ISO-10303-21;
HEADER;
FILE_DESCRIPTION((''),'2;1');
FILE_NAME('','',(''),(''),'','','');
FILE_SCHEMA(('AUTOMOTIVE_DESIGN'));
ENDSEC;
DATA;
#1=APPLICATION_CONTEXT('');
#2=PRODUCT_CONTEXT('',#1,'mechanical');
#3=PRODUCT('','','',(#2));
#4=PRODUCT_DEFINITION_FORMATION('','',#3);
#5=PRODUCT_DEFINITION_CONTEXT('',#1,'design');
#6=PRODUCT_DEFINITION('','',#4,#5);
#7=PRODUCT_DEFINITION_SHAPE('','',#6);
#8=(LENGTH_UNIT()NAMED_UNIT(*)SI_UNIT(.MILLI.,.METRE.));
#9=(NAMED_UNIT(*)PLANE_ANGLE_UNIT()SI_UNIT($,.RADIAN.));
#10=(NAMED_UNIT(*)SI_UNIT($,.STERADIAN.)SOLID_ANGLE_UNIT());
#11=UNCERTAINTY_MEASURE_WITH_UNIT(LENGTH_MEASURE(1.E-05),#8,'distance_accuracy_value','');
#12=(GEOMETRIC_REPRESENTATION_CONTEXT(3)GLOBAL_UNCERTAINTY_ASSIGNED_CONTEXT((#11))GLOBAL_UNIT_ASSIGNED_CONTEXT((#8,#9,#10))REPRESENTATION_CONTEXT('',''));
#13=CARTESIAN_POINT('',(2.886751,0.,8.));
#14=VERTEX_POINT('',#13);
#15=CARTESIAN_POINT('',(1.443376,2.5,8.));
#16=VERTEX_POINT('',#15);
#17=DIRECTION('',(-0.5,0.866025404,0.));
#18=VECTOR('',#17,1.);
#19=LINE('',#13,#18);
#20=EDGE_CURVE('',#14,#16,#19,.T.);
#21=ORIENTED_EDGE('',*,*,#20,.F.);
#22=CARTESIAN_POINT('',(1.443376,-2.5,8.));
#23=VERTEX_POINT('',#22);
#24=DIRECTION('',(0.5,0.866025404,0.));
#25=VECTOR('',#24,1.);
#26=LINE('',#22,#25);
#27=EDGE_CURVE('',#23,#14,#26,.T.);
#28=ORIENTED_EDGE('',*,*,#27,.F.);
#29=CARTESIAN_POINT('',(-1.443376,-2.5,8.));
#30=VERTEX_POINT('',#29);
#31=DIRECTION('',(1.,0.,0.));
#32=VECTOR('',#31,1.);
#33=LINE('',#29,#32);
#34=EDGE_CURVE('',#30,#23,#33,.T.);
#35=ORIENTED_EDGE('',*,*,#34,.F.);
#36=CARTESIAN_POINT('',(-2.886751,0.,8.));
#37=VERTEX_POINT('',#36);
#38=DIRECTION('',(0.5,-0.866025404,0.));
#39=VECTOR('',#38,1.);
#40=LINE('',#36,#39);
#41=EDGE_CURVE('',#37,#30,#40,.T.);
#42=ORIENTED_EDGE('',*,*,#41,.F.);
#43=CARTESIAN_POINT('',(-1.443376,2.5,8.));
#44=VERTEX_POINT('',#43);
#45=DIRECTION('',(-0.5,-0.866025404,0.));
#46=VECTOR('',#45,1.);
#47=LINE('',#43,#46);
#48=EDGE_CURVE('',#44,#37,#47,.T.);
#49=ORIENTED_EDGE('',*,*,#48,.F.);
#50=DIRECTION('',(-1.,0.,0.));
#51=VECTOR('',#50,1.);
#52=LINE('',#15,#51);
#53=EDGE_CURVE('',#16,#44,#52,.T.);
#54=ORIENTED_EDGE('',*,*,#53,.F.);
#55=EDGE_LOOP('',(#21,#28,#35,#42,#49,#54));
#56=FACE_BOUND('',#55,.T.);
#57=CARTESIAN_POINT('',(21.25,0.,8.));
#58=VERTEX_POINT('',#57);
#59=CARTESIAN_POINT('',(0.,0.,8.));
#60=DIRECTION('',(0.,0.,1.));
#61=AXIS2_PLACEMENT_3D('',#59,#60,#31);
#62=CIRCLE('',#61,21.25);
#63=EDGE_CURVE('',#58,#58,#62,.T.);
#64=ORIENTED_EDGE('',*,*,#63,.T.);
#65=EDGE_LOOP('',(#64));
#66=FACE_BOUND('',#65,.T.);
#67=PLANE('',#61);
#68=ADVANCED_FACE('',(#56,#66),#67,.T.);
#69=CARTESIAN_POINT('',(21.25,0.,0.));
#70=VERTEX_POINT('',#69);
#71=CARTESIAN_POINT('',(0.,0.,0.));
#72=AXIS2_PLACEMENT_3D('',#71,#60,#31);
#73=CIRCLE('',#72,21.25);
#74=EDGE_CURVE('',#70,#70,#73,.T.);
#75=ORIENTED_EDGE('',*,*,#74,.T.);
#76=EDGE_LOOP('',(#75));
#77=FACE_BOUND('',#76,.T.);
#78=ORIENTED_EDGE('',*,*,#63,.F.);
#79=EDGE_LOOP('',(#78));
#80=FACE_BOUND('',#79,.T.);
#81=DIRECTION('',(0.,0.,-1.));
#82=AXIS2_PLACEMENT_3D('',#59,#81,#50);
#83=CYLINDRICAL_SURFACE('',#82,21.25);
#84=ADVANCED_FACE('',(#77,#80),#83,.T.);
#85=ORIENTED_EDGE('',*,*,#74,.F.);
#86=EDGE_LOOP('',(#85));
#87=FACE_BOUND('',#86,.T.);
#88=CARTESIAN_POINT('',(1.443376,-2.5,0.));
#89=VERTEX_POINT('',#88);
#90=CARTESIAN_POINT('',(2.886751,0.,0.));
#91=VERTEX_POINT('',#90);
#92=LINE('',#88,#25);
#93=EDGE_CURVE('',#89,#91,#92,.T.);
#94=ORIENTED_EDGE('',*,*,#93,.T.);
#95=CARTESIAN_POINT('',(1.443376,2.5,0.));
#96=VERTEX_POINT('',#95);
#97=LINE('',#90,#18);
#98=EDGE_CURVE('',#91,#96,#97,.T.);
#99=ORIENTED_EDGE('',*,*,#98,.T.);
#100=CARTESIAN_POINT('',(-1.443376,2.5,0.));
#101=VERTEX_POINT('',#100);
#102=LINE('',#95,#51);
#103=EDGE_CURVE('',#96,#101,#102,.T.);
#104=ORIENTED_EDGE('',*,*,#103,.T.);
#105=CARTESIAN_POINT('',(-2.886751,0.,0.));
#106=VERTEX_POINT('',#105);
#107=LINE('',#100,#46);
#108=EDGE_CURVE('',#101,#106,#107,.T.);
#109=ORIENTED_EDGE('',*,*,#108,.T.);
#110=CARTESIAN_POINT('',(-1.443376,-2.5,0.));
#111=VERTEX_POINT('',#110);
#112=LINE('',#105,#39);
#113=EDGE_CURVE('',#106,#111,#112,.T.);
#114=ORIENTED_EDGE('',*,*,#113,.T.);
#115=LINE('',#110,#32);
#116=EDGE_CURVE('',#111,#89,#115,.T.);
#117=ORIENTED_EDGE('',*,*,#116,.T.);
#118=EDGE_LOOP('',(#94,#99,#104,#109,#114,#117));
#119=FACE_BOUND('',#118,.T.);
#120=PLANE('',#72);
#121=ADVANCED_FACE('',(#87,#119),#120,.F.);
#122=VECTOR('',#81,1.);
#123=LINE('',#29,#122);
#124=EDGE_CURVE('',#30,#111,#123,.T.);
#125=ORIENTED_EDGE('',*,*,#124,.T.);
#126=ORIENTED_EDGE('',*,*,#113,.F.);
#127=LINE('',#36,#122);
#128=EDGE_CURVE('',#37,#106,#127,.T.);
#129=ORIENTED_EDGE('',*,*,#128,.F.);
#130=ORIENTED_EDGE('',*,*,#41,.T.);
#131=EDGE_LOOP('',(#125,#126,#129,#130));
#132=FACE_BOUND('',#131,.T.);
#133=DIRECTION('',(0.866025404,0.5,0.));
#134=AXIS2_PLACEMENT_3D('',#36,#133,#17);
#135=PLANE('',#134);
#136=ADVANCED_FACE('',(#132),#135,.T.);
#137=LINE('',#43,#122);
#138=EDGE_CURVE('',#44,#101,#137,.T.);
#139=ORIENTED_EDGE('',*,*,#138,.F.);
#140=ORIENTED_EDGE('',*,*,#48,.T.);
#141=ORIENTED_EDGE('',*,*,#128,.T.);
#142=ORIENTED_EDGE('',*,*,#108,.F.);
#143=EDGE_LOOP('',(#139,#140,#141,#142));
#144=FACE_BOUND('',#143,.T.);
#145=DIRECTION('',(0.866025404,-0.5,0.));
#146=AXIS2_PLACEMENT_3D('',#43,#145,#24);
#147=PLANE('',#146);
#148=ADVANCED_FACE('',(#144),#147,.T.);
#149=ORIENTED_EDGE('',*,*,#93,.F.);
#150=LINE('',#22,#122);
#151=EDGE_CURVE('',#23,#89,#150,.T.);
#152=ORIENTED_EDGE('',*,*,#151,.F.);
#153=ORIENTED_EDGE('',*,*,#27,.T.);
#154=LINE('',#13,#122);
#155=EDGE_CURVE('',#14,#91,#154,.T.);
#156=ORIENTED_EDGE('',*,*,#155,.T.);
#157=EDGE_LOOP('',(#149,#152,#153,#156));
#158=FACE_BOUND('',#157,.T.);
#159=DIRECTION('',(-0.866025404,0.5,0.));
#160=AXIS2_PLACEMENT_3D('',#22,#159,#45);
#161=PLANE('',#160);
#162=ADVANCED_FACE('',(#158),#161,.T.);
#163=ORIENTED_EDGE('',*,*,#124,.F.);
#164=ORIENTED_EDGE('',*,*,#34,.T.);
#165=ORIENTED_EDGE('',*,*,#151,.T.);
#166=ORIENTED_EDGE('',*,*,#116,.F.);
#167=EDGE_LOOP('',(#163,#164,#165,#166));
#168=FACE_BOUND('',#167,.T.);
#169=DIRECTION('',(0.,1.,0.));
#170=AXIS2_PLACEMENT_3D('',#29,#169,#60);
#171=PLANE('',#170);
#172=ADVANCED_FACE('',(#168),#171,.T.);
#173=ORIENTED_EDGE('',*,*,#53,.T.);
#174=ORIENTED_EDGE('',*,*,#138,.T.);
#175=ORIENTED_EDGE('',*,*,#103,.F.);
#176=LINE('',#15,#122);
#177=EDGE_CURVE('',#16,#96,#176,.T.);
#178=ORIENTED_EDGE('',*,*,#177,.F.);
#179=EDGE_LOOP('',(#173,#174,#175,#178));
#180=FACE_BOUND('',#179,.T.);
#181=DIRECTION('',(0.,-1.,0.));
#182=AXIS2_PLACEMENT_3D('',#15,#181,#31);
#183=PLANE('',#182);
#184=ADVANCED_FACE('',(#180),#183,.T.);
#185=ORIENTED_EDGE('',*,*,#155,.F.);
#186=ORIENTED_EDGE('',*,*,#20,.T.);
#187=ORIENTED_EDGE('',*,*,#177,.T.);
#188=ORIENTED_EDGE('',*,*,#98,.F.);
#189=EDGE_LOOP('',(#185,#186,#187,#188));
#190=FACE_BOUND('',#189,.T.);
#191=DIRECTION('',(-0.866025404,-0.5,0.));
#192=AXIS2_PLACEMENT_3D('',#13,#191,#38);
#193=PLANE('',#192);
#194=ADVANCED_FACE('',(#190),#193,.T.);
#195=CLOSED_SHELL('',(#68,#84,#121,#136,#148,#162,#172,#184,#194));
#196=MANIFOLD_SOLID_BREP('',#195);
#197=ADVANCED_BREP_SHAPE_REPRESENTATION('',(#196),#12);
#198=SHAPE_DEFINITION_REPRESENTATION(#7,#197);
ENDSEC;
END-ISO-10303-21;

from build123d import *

# Parameters (mm, degrees)
SKETCH1_R           = 21.25
BOSS_EXTRUDE1_DEPTH = 8


with BuildPart() as part:
    # Sketch1 → Boss-Extrude1 (new body)
    with BuildSketch(Plane.XY):
        Circle(SKETCH1_R)
        Polygon((2.886751346, 0), (1.443375673, 2.5), (-1.443375673, 2.5), (-2.886751346, 0), (-1.443375673, -2.5), (1.443375673, -2.5), align=None, mode=Mode.SUBTRACT)
    extrude(amount=BOSS_EXTRUDE1_DEPTH)


solid = part.part
